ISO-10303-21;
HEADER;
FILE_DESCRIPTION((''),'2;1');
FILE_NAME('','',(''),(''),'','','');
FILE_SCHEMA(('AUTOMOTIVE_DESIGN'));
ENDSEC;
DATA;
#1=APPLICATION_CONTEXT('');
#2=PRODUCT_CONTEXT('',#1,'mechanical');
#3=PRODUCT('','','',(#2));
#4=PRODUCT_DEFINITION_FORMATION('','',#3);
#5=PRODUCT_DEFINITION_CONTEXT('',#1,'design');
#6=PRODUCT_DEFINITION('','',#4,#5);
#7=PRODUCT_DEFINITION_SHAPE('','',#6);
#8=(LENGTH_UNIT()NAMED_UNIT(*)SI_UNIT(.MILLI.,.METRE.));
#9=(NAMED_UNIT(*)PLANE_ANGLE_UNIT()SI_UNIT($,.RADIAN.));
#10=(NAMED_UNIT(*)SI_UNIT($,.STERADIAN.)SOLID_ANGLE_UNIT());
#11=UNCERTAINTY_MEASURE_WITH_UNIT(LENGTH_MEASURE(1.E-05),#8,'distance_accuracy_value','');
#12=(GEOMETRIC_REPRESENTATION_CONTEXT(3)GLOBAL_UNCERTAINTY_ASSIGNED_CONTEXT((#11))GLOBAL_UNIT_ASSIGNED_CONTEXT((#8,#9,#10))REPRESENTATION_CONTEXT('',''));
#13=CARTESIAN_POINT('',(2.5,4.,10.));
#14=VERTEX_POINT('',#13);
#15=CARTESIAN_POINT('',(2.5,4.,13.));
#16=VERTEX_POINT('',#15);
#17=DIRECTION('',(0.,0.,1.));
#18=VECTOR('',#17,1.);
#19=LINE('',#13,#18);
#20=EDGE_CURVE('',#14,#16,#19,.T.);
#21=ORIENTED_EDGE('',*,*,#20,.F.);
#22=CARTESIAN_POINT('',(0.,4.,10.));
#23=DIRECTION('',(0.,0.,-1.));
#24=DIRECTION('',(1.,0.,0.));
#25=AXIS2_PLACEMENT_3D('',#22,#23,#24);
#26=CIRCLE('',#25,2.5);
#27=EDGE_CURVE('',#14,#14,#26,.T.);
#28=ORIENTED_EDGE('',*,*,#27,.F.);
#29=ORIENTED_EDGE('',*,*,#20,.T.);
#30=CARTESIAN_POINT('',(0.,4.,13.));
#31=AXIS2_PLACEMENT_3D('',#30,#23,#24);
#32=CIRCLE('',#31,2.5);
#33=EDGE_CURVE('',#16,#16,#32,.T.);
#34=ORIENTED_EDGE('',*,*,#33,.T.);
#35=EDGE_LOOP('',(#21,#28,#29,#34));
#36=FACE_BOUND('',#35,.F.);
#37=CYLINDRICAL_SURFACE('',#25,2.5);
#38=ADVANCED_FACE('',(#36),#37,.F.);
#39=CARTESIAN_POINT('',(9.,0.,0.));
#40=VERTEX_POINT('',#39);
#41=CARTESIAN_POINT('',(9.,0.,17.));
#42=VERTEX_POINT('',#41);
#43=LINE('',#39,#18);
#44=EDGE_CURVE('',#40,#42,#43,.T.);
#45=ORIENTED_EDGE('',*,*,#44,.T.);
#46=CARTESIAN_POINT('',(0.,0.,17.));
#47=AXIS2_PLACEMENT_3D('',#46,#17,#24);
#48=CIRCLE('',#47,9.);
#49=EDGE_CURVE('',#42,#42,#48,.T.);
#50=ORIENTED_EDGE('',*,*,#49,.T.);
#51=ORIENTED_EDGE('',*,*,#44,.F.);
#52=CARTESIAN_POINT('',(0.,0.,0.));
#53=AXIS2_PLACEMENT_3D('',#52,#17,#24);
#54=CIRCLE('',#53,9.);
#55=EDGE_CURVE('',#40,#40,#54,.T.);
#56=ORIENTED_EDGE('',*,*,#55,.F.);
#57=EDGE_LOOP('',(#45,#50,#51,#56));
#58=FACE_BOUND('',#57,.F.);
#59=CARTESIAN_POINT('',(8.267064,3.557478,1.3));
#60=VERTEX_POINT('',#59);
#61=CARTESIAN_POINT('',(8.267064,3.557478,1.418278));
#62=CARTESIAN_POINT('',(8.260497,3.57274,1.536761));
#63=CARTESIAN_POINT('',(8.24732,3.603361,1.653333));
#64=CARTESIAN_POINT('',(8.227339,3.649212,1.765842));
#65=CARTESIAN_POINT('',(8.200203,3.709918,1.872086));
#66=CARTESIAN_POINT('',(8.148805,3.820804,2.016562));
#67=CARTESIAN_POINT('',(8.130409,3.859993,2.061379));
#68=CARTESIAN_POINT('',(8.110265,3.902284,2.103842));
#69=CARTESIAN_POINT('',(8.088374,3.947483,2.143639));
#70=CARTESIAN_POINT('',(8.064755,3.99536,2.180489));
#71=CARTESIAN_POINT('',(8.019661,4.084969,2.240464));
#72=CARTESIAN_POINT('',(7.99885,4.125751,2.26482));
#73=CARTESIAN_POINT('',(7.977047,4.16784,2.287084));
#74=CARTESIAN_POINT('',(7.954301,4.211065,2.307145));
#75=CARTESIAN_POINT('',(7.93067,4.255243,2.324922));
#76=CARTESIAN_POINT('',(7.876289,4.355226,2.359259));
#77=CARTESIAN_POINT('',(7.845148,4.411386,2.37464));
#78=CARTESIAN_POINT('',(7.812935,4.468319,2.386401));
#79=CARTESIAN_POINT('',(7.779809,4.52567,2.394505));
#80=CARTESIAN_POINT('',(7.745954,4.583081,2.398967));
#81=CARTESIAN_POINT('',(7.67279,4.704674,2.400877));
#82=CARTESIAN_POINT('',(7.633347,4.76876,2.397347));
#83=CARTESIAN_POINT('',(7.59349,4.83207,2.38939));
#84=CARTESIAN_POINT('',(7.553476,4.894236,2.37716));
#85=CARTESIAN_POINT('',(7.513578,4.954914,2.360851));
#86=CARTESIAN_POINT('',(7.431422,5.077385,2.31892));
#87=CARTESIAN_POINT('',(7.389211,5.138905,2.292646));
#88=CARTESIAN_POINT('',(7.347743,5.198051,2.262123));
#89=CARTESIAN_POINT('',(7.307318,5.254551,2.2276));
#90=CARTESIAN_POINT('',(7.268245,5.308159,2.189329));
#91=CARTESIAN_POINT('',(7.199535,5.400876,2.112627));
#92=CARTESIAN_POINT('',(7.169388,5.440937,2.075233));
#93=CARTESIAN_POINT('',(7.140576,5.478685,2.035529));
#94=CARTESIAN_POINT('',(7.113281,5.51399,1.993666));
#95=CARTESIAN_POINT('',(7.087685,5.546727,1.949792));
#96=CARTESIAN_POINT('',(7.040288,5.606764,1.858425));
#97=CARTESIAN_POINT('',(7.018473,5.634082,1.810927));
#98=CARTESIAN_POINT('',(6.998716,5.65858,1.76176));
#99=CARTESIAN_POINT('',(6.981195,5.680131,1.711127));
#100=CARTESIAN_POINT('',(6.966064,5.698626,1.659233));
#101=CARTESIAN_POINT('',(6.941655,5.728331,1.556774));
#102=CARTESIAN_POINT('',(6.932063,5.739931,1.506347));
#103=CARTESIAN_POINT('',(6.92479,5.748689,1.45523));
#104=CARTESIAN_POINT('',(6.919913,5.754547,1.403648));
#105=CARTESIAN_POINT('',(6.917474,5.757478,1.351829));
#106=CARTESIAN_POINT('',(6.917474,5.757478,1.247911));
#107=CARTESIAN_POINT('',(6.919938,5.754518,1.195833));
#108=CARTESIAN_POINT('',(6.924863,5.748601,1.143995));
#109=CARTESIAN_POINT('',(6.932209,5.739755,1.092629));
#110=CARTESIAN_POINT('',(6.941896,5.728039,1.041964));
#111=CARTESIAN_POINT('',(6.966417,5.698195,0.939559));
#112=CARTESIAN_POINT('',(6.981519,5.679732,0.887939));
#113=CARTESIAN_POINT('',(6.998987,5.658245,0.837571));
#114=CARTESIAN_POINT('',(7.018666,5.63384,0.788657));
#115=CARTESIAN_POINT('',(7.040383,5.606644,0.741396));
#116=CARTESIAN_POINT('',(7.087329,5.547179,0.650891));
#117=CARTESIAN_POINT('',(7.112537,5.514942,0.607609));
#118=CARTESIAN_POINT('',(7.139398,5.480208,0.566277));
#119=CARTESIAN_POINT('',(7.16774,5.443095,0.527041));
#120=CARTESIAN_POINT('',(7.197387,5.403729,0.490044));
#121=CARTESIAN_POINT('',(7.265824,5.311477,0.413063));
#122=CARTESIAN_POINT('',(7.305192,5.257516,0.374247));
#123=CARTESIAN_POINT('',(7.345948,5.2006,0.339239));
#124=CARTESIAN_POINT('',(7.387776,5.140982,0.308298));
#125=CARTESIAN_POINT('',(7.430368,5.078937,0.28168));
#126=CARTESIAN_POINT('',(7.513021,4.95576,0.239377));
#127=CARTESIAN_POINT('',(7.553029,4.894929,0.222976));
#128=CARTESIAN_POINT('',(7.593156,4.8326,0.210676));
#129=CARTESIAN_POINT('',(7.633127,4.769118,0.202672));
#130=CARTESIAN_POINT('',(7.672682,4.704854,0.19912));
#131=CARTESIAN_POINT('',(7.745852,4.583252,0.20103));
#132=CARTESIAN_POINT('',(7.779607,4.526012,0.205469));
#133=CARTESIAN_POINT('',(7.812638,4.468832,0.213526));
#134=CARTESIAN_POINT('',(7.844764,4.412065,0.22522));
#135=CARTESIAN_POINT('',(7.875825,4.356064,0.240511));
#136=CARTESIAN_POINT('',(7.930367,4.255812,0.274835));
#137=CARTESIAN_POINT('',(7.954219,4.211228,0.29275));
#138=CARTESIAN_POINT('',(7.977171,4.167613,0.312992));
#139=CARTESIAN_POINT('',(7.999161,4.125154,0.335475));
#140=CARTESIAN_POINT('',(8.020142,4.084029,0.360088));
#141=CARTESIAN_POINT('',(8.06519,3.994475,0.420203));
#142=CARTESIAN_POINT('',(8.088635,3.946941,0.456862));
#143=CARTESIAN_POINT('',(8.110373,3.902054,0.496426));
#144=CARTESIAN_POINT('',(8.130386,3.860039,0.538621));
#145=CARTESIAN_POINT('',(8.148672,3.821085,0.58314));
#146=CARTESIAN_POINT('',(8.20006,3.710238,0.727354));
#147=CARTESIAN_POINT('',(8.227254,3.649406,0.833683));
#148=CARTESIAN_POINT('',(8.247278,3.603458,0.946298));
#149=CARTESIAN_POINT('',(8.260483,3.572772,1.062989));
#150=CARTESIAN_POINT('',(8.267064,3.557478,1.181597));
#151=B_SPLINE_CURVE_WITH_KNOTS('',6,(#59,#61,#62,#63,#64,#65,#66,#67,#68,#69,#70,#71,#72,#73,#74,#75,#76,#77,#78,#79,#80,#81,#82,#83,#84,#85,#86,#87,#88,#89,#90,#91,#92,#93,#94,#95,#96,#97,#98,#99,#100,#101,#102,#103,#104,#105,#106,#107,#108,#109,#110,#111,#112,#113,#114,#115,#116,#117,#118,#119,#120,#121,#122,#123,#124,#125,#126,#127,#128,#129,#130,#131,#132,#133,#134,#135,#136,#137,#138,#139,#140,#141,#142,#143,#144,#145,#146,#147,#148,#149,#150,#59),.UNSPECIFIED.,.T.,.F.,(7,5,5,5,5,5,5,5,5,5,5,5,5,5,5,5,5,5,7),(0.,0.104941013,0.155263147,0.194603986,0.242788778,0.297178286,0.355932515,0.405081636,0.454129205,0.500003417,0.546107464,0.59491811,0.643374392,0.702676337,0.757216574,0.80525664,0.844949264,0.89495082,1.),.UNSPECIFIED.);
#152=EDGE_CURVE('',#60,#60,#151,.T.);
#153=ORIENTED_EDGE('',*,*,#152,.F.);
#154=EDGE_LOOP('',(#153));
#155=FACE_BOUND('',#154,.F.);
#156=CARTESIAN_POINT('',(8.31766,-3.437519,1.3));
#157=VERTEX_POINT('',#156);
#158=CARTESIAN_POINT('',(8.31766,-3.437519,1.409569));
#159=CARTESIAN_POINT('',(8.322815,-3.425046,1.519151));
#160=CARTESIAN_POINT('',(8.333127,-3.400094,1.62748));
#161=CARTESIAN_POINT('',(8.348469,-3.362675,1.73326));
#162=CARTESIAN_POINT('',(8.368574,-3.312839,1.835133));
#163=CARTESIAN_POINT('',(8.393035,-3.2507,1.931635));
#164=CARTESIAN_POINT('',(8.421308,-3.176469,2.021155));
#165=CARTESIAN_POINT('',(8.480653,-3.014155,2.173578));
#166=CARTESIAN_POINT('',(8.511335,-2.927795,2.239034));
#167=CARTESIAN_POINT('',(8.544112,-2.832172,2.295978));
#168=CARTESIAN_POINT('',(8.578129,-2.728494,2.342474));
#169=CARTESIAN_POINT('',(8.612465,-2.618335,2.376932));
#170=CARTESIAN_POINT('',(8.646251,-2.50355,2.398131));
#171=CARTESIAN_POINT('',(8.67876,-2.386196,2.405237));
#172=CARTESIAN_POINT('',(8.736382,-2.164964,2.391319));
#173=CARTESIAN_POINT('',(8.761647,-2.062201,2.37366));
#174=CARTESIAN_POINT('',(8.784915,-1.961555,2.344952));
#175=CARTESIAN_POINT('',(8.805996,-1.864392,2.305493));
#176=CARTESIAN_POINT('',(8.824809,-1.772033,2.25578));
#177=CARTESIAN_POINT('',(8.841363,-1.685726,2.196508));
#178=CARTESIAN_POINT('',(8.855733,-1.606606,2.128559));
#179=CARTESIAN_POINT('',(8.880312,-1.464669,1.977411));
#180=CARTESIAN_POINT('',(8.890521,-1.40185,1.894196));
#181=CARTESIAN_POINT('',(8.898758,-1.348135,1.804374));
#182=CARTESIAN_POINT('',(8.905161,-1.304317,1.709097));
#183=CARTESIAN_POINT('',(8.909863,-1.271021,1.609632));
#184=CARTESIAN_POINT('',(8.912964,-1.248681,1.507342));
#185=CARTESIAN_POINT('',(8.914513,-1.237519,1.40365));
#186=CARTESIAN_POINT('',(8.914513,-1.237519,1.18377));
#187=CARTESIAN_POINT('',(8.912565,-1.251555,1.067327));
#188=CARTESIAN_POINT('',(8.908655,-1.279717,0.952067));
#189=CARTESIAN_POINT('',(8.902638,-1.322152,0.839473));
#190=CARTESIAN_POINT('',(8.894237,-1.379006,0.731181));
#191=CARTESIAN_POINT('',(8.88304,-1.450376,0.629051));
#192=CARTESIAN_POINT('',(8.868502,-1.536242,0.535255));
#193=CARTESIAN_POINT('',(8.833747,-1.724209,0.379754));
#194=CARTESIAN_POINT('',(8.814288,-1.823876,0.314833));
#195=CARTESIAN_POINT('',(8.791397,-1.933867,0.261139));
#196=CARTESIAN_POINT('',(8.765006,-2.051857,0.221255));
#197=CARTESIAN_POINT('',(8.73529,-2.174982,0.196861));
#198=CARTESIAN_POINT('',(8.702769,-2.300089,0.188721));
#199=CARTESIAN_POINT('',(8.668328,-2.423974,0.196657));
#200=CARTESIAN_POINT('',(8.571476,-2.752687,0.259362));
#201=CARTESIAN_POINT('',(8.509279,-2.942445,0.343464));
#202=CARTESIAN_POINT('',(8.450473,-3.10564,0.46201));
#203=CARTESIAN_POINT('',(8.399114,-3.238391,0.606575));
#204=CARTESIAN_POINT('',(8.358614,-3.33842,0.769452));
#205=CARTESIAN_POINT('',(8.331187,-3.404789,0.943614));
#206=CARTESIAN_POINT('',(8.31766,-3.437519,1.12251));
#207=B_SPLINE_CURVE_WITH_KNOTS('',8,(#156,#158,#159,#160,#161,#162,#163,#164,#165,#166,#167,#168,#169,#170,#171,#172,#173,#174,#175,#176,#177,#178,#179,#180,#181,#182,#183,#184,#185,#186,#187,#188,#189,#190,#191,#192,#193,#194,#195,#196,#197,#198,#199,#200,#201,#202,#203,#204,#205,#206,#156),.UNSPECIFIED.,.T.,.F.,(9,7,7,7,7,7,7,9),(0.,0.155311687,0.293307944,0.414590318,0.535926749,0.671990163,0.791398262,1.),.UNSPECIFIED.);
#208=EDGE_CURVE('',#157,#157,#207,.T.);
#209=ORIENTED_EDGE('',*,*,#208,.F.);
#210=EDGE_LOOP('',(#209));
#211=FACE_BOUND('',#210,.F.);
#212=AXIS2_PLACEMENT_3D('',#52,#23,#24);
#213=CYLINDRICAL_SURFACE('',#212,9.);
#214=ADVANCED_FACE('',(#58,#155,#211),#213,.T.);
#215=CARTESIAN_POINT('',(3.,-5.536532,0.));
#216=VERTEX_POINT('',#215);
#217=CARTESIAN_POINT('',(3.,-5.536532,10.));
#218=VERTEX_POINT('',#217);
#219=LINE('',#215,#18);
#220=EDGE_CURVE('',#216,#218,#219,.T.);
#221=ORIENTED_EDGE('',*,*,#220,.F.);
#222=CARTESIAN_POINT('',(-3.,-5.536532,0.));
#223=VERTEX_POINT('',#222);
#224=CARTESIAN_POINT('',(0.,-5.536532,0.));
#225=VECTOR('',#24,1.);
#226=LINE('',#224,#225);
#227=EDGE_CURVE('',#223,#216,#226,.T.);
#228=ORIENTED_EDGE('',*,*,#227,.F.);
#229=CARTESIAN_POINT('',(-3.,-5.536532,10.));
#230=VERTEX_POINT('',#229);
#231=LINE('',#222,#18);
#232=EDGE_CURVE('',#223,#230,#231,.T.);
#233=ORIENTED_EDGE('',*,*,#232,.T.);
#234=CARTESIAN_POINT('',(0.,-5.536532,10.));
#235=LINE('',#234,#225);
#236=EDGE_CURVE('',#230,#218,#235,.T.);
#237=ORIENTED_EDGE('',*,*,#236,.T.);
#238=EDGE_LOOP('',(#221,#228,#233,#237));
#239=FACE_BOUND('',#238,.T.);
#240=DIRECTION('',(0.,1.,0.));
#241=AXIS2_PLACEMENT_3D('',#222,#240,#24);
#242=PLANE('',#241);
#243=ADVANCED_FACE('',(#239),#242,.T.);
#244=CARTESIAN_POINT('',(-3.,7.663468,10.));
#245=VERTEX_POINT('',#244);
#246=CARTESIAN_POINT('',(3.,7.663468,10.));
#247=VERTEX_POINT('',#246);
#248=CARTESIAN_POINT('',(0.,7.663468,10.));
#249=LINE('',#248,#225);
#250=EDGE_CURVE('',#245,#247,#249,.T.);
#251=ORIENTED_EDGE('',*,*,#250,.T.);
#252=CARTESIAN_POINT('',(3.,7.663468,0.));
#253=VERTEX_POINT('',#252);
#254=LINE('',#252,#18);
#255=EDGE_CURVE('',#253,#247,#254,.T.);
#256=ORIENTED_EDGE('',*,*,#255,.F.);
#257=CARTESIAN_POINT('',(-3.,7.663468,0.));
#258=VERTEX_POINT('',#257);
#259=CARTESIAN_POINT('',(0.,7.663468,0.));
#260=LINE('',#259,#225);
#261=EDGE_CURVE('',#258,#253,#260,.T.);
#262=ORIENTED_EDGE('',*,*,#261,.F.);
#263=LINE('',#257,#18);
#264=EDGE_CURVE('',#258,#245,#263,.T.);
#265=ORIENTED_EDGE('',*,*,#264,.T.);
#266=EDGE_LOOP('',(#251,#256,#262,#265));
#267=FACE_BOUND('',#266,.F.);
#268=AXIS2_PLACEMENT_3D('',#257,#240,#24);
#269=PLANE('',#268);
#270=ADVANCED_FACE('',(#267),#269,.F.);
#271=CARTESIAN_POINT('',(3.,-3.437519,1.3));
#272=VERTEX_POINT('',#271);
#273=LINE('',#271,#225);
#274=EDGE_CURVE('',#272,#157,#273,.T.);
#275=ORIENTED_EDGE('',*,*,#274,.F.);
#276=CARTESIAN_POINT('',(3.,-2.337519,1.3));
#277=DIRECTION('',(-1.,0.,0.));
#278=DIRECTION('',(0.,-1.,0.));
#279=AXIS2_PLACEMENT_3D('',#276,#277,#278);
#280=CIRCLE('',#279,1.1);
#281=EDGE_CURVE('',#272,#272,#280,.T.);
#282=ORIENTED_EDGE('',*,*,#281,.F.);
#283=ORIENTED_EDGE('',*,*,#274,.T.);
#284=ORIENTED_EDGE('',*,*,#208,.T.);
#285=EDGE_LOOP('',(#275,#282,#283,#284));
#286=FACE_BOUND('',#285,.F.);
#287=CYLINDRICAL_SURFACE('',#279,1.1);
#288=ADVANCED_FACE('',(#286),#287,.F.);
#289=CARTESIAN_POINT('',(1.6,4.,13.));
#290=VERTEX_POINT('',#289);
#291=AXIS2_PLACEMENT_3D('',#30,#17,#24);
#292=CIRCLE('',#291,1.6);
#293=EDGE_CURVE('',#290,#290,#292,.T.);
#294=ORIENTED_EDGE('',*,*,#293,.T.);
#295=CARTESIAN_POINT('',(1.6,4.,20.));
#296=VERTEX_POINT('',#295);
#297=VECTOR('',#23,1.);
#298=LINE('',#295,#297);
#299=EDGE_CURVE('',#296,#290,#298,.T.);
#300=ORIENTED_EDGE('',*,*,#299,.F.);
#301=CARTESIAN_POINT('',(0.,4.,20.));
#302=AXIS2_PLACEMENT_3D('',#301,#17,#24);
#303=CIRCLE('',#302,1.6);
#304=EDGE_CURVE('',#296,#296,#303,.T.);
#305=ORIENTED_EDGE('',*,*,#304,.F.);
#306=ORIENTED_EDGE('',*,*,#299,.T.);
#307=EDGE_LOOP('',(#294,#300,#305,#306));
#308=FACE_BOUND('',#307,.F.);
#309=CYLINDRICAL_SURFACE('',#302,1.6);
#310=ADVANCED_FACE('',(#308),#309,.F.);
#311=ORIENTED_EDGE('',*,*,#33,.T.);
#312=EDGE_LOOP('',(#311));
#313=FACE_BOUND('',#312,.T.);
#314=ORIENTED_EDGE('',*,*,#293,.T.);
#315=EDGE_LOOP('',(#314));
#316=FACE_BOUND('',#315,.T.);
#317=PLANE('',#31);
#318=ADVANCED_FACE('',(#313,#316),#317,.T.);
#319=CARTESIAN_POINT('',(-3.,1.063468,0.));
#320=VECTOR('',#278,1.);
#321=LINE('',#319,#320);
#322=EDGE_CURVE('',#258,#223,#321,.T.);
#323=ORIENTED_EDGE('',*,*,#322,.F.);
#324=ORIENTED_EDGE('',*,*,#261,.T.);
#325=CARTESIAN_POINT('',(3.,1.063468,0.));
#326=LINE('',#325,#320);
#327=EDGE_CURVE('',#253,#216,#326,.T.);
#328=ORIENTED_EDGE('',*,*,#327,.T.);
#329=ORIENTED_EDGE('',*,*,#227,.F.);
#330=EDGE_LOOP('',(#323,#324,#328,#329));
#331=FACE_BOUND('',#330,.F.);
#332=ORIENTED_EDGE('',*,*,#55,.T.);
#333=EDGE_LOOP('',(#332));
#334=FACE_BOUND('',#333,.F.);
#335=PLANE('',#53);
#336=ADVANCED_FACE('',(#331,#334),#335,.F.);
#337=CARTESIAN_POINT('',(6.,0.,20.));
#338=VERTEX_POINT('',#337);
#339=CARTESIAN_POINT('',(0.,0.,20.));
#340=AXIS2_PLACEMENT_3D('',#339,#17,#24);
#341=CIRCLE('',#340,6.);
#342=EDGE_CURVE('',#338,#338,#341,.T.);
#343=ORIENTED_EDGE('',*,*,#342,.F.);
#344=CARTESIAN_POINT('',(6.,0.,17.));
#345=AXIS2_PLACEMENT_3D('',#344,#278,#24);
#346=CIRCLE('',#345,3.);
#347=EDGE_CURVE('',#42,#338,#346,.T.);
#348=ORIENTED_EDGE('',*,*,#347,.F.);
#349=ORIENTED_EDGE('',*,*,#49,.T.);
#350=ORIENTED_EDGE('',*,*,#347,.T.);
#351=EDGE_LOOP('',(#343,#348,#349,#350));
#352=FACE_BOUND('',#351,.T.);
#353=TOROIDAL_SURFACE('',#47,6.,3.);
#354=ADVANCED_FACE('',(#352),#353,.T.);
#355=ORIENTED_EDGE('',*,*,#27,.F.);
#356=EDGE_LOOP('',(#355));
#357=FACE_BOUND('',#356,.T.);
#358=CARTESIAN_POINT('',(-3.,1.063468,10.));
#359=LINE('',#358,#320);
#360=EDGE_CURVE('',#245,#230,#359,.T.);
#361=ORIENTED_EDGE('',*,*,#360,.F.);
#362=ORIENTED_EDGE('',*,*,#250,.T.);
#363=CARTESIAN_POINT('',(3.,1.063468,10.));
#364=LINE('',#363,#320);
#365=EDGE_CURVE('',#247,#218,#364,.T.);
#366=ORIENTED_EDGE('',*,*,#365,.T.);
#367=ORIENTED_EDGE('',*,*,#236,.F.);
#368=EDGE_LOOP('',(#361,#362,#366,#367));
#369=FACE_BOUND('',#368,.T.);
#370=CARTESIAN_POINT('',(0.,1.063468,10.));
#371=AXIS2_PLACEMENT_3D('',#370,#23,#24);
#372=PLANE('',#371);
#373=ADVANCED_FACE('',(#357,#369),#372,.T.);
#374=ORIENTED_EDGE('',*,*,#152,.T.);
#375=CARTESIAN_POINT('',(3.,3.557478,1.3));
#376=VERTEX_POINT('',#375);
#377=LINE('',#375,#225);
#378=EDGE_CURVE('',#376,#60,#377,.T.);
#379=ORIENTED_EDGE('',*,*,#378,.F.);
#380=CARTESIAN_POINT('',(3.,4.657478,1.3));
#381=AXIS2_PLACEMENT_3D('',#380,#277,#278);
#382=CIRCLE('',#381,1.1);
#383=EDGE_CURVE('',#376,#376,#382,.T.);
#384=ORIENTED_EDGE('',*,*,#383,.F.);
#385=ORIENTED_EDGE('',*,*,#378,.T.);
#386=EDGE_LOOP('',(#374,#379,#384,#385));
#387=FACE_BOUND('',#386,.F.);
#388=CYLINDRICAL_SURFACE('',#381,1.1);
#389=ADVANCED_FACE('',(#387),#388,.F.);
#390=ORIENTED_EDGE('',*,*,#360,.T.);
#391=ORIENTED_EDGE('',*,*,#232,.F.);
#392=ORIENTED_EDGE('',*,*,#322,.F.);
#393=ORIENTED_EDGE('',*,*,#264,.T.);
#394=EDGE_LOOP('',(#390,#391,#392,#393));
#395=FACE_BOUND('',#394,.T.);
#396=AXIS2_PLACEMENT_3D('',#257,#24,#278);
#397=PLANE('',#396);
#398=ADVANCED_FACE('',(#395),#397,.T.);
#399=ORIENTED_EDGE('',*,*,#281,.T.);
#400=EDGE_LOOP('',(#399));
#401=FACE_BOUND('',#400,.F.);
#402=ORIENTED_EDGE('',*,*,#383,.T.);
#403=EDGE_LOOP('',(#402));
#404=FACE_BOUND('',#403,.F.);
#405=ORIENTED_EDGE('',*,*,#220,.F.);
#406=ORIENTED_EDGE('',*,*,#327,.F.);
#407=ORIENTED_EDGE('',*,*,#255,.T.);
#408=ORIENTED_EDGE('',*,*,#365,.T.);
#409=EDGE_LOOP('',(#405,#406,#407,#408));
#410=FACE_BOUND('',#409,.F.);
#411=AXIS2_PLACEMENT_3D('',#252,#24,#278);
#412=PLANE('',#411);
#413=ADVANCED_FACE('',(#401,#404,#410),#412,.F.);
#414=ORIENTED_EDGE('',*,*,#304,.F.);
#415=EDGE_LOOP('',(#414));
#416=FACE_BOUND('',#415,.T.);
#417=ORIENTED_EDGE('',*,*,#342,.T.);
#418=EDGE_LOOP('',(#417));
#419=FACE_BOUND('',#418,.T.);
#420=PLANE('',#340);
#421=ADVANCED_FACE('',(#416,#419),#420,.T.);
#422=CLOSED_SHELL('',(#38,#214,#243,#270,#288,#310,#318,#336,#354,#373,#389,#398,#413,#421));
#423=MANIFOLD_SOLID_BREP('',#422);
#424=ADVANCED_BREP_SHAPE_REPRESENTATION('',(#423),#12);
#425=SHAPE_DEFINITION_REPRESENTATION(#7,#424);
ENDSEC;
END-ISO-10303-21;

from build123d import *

# Parameters (mm, degrees)
SKETCH_R        = 9
PAD_DEPTH       = 20
SKETCH001_W     = 6
SKETCH001_H     = 13.2
POCKET_DEPTH    = 10
SKETCH002_R     = 1.6
POCKET001_DEPTH = 11
FILLET_R        = 3
SKETCH003_R     = 2.5
POCKET002_DEPTH = 3
SKETCH004_R     = 1.1
POCKET003_DEPTH = 13


with BuildPart() as part:
    # Sketch → Pad (new body)
    with BuildSketch(Plane.XY):
        Circle(SKETCH_R)
    extrude(amount=PAD_DEPTH)

    # Sketch001 (on Face2 of Pad) → Pocket (cut)
    with BuildSketch(Plane(origin=(0, 0, 0), x_dir=(1, 0, 0), z_dir=(0, 0, -1))):
        with Locations((0, -1.063468)):
            Rectangle(SKETCH001_W, SKETCH001_H)
    extrude(amount=-POCKET_DEPTH, mode=Mode.SUBTRACT)

    # Sketch002 (on Face3 of Pocket) → Pocket001 (cut)
    with BuildSketch(Plane.XY.offset(20)):
        with Locations((0, 4)):
            Circle(SKETCH002_R)
    extrude(amount=-POCKET001_DEPTH, mode=Mode.SUBTRACT)

    # Fillet
    fillet_edges = [part.edges().sort_by_distance(p)[0] for p in [
        (-9, 0, 20),
    ]]
    fillet(fillet_edges, radius=FILLET_R)

    # Sketch003 (on Face10 of Fillet) → Pocket002 (cut)
    with BuildSketch(Plane(origin=(0, 0, 10), x_dir=(1, 0, 0), z_dir=(0, 0, -1))):
        with Locations((0, -4)):
            Circle(SKETCH003_R)
    extrude(amount=-POCKET002_DEPTH, mode=Mode.SUBTRACT)

    # Sketch004 (on Face6 of Pocket002) → Pocket003 (cut)
    with BuildSketch(Plane(origin=(3, 0, 0), x_dir=(0, -1, 0), z_dir=(-1, 0, 0))):
        with Locations((2.337519, 1.3)):
            Circle(SKETCH004_R)
        with Locations((-4.657478, 1.3)):
            Circle(SKETCH004_R)
    extrude(amount=-POCKET003_DEPTH, mode=Mode.SUBTRACT)


solid = part.part
